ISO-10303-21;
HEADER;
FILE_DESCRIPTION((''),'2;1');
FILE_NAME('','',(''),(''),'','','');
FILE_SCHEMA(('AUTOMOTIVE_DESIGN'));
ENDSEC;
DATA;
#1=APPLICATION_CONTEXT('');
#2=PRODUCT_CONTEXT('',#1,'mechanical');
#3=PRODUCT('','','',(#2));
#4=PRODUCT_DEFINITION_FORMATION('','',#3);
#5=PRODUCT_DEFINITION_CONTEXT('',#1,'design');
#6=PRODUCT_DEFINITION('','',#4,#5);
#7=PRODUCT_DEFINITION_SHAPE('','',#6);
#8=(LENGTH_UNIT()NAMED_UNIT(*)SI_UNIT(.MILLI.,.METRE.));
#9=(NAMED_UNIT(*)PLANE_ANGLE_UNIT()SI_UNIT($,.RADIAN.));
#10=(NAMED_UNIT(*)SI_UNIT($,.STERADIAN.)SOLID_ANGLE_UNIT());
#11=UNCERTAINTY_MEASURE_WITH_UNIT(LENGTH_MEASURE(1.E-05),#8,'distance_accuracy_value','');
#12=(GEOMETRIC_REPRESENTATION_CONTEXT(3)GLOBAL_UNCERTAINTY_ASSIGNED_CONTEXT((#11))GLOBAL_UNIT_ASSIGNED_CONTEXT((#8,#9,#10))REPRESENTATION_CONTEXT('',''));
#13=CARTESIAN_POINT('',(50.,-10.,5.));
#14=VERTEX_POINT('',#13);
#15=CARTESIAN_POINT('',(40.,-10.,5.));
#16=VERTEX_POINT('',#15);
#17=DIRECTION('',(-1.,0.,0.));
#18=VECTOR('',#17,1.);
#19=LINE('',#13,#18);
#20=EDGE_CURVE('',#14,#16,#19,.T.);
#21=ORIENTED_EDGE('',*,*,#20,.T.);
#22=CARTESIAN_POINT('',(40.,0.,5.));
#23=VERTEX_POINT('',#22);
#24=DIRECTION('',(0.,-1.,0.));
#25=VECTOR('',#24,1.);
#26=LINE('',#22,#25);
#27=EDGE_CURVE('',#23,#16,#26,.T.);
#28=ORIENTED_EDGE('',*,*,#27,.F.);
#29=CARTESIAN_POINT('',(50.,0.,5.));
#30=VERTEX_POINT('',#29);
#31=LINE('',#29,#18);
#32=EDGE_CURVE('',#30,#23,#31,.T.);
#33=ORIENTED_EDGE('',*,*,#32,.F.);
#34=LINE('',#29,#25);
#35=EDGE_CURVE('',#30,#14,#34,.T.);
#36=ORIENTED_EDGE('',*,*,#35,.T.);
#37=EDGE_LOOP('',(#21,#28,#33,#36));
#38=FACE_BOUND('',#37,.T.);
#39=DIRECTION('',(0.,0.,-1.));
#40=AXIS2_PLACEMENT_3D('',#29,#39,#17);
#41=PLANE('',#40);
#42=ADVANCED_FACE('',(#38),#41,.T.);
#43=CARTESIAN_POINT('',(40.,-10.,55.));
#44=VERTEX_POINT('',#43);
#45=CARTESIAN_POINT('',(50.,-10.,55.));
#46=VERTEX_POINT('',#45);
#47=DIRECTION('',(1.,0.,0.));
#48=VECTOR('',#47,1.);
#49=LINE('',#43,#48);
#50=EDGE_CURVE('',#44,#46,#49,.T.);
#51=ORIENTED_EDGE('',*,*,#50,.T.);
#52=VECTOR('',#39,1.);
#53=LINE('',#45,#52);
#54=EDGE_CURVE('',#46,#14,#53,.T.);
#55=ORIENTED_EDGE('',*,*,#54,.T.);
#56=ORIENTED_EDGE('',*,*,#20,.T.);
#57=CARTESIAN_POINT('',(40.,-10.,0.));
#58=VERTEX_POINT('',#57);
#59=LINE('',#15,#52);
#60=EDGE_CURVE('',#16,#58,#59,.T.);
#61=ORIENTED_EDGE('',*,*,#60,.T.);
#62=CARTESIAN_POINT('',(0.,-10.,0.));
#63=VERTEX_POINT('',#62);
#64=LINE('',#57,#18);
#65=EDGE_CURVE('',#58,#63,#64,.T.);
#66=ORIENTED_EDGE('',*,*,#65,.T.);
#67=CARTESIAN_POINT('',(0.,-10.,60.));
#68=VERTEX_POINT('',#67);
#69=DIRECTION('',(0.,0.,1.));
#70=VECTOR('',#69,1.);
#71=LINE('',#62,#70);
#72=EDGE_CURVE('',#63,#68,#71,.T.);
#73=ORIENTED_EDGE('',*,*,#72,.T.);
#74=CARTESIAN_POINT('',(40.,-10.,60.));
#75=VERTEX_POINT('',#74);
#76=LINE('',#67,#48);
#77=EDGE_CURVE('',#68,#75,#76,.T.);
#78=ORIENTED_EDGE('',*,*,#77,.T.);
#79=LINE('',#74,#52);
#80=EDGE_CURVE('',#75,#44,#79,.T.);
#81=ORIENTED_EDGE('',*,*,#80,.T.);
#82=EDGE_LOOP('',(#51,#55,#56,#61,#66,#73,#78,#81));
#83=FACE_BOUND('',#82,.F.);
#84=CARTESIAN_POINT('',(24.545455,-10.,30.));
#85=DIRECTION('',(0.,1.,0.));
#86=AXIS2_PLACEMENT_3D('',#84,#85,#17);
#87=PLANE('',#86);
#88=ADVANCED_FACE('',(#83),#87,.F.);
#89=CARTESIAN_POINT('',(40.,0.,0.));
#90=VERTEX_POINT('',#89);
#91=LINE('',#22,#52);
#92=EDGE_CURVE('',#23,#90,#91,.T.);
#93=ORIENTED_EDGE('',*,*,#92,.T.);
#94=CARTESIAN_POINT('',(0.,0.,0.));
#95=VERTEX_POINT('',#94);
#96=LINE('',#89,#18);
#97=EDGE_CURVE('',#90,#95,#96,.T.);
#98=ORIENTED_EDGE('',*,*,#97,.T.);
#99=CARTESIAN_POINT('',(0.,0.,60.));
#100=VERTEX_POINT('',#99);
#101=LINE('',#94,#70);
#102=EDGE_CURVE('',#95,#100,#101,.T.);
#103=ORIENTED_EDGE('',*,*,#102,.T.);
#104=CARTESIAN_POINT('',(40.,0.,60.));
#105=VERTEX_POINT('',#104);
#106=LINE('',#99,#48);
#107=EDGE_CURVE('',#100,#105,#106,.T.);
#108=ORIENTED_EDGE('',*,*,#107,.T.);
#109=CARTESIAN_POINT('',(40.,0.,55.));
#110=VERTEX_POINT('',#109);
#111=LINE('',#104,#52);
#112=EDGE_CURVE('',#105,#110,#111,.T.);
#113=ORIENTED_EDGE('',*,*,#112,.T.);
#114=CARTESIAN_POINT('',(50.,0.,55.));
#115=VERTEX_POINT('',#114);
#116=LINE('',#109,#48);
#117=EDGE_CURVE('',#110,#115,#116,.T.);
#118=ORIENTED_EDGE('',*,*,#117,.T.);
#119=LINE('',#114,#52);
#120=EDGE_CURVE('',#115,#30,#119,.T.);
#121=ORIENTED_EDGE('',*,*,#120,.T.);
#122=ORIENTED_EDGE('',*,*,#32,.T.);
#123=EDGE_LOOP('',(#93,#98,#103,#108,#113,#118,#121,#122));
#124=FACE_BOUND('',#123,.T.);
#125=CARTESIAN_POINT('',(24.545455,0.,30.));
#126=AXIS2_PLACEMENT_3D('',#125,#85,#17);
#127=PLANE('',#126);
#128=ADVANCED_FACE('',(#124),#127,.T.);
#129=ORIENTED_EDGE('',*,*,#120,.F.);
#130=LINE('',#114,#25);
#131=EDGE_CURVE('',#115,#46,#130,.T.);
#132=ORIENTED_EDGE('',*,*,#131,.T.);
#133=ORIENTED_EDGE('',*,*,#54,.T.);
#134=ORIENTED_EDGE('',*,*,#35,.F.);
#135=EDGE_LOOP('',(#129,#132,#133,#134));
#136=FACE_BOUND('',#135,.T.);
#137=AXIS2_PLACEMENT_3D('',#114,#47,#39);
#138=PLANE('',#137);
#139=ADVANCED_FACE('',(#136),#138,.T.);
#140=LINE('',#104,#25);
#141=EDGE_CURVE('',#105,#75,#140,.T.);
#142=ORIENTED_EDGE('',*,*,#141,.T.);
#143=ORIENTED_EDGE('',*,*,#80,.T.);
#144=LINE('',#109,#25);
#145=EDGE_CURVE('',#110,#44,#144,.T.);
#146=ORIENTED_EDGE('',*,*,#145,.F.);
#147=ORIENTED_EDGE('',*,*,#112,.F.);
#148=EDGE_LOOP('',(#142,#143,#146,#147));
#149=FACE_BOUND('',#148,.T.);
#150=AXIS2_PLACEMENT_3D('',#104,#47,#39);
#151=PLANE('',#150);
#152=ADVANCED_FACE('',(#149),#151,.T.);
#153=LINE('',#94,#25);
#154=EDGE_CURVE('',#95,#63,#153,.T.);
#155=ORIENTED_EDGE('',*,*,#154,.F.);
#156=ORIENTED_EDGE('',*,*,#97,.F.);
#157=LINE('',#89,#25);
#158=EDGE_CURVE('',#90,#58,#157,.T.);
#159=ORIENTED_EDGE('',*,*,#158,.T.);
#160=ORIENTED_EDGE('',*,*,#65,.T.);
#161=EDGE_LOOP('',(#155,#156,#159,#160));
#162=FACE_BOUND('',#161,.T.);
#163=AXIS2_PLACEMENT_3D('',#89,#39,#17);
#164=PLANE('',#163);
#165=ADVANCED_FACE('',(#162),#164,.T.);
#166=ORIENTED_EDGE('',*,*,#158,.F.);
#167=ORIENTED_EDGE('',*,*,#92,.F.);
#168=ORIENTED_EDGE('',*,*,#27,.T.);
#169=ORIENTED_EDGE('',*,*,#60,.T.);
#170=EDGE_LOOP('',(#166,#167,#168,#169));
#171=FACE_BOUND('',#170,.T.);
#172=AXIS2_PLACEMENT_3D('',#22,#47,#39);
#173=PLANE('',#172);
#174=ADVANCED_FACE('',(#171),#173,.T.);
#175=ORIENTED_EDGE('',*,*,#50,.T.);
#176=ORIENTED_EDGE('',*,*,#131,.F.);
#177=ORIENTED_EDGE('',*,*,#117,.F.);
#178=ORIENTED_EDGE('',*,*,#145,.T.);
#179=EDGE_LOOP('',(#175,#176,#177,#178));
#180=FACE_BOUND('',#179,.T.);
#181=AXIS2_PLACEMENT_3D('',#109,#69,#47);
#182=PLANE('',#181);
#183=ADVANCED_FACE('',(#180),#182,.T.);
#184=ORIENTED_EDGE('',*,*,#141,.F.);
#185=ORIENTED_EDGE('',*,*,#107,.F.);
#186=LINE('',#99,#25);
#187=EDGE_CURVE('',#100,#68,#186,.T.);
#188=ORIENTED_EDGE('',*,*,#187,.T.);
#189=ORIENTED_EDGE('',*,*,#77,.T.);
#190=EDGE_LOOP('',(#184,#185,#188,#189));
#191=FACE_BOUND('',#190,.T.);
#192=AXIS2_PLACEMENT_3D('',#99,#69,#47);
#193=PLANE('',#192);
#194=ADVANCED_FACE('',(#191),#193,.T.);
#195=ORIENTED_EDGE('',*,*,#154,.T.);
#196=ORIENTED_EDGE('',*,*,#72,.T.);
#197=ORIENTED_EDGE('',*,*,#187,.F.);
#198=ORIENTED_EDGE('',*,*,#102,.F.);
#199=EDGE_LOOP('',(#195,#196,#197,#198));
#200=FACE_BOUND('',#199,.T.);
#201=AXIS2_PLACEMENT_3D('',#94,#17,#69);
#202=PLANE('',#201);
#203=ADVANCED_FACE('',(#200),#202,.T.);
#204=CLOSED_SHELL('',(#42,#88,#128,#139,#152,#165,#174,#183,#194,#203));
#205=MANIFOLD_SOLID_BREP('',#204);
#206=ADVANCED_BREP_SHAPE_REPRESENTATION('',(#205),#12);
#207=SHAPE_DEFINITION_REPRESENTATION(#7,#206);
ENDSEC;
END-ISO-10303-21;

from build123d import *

# Parameters (mm, degrees)
PAD_DEPTH = 10


with BuildPart() as part:
    # Sketch → Pad (new body)
    with BuildSketch(Plane.XZ):
        Polygon((0, 0), (0, 60), (40, 60), (40, 55), (50, 55), (50, 5), (40, 5), (40, 0), align=None)
    extrude(amount=PAD_DEPTH)


solid = part.part
